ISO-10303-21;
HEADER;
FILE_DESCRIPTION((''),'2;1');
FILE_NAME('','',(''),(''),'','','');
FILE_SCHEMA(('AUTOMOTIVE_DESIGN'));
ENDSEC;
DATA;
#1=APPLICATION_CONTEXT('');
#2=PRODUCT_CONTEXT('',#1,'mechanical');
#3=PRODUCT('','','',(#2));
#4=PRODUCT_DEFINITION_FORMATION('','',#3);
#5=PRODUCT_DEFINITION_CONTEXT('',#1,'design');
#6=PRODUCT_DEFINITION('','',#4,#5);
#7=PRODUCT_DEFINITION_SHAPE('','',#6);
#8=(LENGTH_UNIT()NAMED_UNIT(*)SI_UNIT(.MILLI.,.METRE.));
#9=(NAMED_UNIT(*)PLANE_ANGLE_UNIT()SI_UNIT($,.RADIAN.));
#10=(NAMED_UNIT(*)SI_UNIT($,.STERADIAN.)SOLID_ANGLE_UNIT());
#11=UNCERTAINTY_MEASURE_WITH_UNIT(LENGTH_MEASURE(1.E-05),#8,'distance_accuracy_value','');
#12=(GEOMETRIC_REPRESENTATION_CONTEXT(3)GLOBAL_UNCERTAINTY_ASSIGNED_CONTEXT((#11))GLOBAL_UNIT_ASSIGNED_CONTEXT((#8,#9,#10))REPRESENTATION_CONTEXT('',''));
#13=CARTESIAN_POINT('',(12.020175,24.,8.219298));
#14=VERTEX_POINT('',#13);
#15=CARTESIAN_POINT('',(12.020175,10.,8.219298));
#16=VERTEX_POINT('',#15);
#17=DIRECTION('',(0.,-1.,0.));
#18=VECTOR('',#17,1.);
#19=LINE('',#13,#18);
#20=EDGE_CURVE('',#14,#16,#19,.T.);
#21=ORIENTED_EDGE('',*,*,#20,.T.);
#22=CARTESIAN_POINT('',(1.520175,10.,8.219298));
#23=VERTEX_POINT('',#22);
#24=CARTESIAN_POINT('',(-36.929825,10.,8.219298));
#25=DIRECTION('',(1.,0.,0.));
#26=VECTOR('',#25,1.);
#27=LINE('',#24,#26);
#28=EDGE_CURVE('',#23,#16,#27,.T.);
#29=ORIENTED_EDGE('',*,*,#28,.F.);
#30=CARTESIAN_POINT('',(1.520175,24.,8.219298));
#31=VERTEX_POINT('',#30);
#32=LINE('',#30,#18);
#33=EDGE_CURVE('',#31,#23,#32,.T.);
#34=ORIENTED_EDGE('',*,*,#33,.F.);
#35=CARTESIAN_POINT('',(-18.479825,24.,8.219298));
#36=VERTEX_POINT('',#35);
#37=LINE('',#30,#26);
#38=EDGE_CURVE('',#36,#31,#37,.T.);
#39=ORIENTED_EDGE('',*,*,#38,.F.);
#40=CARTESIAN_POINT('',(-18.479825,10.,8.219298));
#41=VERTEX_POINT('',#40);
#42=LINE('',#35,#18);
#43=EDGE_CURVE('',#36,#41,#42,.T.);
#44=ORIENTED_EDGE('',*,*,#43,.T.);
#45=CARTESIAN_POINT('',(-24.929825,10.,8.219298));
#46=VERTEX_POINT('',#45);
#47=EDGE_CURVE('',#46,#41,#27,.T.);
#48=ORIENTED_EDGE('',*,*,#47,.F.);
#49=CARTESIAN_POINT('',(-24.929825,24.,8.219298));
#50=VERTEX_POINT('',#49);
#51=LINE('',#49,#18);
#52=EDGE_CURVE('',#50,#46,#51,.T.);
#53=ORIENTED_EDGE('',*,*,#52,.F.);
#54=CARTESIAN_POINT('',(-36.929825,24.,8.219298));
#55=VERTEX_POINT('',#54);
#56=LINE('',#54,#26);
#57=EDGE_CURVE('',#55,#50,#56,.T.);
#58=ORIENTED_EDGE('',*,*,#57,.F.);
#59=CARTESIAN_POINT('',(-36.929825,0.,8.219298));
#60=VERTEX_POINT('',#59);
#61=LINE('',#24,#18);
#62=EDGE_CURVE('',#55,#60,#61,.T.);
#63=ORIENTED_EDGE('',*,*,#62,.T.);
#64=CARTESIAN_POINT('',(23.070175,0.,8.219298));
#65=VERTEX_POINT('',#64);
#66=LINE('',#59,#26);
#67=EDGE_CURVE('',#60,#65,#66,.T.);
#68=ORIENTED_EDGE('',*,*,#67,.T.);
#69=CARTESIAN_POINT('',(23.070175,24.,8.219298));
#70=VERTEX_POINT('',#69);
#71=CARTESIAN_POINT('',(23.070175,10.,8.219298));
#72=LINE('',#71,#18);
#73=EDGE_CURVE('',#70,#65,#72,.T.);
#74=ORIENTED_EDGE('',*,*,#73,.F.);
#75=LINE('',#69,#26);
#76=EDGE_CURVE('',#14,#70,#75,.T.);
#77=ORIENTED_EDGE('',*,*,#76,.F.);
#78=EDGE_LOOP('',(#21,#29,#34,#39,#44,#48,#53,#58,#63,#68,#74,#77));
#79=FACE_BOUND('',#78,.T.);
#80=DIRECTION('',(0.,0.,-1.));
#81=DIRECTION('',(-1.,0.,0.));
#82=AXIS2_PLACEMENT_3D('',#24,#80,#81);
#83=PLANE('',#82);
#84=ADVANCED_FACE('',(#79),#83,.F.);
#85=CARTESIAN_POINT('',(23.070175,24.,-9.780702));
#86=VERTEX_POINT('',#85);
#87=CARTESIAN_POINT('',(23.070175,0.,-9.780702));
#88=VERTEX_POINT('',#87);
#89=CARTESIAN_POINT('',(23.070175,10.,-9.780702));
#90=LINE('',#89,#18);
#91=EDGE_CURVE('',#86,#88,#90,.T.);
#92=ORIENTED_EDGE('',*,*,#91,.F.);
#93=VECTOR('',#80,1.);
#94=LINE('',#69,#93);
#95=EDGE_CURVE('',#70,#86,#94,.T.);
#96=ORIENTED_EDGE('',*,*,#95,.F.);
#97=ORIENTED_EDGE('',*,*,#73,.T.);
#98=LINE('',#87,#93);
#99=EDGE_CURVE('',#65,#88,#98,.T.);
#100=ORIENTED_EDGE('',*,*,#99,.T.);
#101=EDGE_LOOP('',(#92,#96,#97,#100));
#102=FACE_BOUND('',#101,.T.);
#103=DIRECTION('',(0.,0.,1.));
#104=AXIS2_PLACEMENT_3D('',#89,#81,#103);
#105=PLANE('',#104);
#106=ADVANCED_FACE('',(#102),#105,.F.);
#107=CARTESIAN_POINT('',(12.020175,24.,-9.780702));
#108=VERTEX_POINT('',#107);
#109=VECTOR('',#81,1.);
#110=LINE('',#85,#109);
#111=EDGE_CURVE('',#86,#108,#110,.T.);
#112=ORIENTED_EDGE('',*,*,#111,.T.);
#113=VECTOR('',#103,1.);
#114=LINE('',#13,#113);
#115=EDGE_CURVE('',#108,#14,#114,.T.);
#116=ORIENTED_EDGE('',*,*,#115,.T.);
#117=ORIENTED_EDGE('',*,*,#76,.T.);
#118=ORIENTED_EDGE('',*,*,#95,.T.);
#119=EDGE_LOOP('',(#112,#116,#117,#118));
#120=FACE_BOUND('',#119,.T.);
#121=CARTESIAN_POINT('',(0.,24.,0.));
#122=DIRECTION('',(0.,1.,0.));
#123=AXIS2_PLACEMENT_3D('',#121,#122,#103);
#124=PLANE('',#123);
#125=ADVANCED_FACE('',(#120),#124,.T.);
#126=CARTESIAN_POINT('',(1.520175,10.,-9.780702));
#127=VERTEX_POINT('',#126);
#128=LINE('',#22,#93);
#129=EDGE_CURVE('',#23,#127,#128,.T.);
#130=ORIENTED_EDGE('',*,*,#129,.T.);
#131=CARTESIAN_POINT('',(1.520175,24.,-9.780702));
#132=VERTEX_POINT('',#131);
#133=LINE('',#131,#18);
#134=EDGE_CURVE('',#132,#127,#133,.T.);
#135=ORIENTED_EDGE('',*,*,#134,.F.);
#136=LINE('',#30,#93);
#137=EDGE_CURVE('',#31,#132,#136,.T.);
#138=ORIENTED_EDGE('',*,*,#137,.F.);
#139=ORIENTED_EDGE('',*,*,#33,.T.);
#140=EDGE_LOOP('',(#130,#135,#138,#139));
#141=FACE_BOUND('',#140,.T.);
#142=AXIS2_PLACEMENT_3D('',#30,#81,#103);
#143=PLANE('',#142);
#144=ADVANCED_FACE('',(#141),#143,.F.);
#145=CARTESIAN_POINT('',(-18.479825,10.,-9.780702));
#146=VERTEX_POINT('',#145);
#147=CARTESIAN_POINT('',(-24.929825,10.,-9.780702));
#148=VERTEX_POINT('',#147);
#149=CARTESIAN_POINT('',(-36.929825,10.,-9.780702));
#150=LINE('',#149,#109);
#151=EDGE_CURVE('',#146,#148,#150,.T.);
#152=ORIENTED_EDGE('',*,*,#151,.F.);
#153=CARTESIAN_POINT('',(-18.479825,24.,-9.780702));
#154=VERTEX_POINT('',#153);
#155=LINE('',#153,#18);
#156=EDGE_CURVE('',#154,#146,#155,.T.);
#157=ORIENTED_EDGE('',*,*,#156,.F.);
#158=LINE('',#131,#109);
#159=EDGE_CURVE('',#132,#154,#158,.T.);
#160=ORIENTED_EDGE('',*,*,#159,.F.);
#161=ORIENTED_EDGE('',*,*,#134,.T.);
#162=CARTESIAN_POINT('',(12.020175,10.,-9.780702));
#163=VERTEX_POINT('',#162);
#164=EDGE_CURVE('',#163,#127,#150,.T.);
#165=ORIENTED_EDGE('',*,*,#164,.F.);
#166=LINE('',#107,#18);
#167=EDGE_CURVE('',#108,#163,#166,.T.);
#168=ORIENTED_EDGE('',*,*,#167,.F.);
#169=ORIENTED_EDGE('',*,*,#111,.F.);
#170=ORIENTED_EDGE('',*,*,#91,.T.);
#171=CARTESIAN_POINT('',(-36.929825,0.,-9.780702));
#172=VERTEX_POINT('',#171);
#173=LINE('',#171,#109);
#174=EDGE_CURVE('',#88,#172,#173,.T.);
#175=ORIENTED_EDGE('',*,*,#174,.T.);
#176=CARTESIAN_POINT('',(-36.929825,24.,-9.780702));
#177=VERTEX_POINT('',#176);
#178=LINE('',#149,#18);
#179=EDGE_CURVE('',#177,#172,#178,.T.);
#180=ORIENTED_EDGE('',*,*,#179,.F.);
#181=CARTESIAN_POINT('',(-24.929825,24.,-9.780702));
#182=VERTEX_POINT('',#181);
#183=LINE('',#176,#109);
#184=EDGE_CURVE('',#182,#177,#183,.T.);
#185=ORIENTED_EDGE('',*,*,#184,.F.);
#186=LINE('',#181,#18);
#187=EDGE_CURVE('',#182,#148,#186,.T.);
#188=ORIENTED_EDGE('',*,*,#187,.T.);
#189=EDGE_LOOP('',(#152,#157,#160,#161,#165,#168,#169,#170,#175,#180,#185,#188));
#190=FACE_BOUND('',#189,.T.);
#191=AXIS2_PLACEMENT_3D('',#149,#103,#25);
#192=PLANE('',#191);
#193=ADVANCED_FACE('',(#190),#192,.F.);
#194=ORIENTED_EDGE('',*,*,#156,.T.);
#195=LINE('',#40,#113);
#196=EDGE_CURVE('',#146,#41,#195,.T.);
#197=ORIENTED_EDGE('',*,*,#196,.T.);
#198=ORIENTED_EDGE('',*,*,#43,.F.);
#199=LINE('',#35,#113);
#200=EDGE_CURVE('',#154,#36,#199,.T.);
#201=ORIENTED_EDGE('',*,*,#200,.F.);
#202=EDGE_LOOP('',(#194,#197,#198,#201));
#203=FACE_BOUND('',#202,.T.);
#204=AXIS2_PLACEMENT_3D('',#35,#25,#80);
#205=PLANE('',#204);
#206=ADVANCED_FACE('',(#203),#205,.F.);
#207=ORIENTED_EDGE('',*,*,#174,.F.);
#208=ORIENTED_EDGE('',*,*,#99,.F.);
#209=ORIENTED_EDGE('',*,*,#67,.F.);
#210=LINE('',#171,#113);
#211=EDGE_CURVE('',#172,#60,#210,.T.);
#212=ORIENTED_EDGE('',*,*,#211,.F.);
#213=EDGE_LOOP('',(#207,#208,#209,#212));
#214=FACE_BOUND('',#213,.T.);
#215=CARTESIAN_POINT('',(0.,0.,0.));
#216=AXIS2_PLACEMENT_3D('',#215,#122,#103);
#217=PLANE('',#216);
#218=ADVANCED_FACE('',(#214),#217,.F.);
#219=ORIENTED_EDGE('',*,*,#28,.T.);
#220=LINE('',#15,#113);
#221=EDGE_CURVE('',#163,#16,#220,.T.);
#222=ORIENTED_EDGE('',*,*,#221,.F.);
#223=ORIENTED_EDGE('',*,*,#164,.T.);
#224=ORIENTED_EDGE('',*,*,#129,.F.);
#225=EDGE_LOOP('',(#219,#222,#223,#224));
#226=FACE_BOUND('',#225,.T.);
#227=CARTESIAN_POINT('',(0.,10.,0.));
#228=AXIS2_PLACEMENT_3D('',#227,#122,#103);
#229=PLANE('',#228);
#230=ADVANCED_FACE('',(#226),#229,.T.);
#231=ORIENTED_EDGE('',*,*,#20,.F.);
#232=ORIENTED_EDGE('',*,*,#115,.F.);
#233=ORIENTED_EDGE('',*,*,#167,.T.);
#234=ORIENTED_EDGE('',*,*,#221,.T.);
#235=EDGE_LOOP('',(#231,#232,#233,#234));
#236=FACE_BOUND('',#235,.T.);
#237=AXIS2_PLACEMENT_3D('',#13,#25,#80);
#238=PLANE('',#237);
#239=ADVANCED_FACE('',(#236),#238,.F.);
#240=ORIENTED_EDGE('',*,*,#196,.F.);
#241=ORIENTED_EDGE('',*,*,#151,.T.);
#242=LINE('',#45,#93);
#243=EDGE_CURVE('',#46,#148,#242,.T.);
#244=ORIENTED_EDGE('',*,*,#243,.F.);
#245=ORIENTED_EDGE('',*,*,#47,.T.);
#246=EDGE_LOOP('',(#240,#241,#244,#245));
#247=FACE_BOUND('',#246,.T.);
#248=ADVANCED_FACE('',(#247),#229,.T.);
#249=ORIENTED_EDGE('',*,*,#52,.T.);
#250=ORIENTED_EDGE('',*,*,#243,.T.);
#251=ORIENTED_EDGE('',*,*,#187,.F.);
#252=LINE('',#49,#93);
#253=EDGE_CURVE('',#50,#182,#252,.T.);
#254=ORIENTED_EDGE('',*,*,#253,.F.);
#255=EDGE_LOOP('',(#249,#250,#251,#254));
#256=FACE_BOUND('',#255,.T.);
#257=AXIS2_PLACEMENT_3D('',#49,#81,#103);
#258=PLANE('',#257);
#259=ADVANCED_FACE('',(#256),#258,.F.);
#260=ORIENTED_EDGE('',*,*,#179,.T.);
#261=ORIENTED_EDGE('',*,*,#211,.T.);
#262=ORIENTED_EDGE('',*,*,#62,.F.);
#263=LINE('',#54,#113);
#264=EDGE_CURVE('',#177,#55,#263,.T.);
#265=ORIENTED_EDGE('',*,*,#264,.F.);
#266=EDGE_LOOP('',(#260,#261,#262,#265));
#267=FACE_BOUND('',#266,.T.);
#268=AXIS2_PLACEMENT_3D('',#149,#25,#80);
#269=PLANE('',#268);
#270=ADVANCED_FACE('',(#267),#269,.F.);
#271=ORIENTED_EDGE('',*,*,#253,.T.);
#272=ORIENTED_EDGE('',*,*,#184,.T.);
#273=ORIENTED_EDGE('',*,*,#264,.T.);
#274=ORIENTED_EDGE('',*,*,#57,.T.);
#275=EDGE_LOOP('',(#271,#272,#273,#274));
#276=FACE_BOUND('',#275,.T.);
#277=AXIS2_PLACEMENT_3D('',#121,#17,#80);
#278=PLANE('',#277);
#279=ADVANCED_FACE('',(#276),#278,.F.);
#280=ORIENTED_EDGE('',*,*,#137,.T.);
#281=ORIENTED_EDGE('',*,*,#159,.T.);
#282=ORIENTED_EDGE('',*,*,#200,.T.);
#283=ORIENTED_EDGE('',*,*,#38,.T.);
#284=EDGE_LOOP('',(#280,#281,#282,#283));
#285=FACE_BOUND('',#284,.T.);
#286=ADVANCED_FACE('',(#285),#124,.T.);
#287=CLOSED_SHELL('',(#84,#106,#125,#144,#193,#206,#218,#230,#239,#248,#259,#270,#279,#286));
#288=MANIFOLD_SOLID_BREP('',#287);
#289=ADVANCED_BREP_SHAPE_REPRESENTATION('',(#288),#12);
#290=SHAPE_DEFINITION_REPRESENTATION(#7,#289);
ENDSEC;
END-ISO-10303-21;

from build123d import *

# Parameters (mm, degrees)
SKETCH2_W           = 60
SKETCH2_H           = 18
BOSS_EXTRUDE1_DEPTH = 10
SKETCH3_W           = 12
SKETCH3_H           = 18
SKETCH3_W_2         = 20
SKETCH3_W_3         = 11.05
BOSS_EXTRUDE2_DEPTH = 14


with BuildPart() as part:
    # Sketch2 → Boss-Extrude1 (new body)
    with BuildSketch(Plane(origin=(0, 0, 0), x_dir=(1, 0, 0), z_dir=(0, 1, 0))):
        with Locations((-6.929824561, 0.780701754)):
            Rectangle(SKETCH2_W, SKETCH2_H)
    extrude(amount=BOSS_EXTRUDE1_DEPTH)

    # Sketch3 → Boss-Extrude2 (add)
    with BuildSketch(Plane(origin=(0, 10, 0), x_dir=(1, 0, 0), z_dir=(0, 1, 0))):
        with Locations((-30.929824561, 0.780701754)):
            Rectangle(SKETCH3_W, SKETCH3_H)
        with Locations((-8.479824561, 0.780701754)):
            Rectangle(SKETCH3_W_2, SKETCH3_H)
        with Locations((17.545175439, 0.780701754)):
            Rectangle(SKETCH3_W_3, SKETCH3_H)
    extrude(amount=BOSS_EXTRUDE2_DEPTH)


solid = part.part
